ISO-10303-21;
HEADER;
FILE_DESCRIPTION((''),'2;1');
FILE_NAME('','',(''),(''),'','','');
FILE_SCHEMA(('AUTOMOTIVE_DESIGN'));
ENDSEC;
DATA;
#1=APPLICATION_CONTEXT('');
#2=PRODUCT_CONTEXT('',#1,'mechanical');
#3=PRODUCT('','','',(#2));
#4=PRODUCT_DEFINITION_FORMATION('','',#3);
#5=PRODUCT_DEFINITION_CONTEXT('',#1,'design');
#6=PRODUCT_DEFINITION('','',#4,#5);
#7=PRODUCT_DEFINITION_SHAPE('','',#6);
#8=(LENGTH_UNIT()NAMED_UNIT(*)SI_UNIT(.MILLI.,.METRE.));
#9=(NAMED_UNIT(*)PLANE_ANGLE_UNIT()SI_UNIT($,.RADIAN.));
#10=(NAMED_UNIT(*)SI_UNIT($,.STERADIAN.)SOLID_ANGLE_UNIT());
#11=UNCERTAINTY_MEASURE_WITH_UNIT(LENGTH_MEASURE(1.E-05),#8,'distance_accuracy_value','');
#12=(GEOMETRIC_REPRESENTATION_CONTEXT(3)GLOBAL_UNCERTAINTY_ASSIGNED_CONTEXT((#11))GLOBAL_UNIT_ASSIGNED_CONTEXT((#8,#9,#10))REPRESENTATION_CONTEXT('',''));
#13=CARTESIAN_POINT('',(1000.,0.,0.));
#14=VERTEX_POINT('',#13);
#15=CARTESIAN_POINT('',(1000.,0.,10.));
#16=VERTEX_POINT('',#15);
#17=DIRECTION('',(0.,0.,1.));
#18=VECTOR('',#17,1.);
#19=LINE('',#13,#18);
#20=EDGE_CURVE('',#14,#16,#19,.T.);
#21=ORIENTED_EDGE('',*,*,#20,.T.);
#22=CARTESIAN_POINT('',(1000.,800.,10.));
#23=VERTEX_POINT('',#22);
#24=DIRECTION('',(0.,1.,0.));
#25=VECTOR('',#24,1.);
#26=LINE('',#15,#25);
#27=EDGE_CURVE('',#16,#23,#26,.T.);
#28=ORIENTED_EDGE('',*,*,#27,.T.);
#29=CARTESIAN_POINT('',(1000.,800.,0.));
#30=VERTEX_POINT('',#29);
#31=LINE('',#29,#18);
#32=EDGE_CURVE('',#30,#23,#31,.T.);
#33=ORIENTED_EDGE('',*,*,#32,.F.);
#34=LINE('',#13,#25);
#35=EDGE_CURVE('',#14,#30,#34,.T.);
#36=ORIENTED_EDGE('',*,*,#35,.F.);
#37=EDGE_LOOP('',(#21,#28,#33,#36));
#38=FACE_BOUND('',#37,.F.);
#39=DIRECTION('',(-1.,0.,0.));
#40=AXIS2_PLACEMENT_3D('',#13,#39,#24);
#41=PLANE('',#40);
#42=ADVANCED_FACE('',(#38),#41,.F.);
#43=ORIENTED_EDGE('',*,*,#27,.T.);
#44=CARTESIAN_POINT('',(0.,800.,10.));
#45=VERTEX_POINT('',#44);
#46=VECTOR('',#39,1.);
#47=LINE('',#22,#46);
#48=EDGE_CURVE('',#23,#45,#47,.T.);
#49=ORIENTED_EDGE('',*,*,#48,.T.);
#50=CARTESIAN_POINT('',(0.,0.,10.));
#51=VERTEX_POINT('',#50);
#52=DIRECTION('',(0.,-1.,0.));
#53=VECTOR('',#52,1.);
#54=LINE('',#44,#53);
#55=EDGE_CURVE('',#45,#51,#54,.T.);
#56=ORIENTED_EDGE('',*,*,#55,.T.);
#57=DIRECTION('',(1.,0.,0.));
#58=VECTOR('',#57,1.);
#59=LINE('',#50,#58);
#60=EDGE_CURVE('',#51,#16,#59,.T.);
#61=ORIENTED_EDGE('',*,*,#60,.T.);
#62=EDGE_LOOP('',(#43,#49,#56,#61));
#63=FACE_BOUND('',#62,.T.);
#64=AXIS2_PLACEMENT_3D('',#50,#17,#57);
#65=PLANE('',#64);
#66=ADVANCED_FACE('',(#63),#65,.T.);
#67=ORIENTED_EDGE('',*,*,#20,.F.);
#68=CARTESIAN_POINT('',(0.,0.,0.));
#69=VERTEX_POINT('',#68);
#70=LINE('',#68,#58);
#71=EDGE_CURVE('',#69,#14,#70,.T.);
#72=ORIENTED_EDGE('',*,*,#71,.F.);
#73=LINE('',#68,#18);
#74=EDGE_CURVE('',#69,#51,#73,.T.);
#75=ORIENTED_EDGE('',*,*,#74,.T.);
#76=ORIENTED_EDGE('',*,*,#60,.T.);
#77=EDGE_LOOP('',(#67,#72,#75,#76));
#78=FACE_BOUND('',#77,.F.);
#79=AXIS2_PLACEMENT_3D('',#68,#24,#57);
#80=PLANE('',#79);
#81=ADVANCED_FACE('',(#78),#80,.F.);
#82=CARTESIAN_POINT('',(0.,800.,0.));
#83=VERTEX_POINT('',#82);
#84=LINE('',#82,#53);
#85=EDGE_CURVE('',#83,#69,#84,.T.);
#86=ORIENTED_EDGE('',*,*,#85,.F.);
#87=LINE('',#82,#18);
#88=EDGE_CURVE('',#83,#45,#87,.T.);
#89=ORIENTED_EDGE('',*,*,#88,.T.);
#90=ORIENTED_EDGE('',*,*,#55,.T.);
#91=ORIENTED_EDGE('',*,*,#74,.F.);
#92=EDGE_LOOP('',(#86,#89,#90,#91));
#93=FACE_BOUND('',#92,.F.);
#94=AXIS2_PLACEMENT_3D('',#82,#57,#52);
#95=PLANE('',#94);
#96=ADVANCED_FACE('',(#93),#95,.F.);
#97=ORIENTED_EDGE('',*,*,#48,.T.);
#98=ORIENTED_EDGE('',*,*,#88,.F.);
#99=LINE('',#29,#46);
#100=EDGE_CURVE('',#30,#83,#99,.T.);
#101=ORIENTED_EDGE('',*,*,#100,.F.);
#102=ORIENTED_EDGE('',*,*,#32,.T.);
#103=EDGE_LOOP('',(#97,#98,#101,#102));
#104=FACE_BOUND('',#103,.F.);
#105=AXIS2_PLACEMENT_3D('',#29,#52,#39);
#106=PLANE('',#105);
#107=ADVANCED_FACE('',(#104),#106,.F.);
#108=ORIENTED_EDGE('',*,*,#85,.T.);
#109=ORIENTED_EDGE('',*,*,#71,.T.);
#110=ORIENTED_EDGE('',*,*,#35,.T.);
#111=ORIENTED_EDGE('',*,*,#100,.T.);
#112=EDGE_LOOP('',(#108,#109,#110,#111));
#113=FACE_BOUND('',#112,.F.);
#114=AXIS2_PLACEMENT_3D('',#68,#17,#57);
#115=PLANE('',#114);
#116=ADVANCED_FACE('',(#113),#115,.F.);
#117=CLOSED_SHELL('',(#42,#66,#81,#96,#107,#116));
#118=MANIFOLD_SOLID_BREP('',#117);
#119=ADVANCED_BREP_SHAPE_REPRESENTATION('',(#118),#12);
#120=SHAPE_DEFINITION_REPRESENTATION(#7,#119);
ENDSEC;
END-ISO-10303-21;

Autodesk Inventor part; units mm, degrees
ref_plane "YZ Plane" through (0, 0, 0) normal (1, 0, 0) x (0, 1, 0)
ref_plane "XZ Plane" through (0, 0, 0) normal (0, 1, 0) x (-1, 0, 0)
ref_plane "XY Plane" through (0, 0, 0) normal (0, 0, 1) x (1, 0, 0)
sketch "Sketch1" plane through (0, 0, 0) normal (0, 0, 1) x (1, 0, 0)
  line L0 (0, 0) -> (1000, 0)
  line L1 (1000, 0) -> (1000, 800)
  line L2 (1000, 800) -> (0, 800)
  line L3 (0, 800) -> (0, 0)
  dimension "d0" = 1000
  dimension "d1" = 800
extrude "Extrusion1" add sketch "Sketch1" along normal blind 10
properties part number "De"
